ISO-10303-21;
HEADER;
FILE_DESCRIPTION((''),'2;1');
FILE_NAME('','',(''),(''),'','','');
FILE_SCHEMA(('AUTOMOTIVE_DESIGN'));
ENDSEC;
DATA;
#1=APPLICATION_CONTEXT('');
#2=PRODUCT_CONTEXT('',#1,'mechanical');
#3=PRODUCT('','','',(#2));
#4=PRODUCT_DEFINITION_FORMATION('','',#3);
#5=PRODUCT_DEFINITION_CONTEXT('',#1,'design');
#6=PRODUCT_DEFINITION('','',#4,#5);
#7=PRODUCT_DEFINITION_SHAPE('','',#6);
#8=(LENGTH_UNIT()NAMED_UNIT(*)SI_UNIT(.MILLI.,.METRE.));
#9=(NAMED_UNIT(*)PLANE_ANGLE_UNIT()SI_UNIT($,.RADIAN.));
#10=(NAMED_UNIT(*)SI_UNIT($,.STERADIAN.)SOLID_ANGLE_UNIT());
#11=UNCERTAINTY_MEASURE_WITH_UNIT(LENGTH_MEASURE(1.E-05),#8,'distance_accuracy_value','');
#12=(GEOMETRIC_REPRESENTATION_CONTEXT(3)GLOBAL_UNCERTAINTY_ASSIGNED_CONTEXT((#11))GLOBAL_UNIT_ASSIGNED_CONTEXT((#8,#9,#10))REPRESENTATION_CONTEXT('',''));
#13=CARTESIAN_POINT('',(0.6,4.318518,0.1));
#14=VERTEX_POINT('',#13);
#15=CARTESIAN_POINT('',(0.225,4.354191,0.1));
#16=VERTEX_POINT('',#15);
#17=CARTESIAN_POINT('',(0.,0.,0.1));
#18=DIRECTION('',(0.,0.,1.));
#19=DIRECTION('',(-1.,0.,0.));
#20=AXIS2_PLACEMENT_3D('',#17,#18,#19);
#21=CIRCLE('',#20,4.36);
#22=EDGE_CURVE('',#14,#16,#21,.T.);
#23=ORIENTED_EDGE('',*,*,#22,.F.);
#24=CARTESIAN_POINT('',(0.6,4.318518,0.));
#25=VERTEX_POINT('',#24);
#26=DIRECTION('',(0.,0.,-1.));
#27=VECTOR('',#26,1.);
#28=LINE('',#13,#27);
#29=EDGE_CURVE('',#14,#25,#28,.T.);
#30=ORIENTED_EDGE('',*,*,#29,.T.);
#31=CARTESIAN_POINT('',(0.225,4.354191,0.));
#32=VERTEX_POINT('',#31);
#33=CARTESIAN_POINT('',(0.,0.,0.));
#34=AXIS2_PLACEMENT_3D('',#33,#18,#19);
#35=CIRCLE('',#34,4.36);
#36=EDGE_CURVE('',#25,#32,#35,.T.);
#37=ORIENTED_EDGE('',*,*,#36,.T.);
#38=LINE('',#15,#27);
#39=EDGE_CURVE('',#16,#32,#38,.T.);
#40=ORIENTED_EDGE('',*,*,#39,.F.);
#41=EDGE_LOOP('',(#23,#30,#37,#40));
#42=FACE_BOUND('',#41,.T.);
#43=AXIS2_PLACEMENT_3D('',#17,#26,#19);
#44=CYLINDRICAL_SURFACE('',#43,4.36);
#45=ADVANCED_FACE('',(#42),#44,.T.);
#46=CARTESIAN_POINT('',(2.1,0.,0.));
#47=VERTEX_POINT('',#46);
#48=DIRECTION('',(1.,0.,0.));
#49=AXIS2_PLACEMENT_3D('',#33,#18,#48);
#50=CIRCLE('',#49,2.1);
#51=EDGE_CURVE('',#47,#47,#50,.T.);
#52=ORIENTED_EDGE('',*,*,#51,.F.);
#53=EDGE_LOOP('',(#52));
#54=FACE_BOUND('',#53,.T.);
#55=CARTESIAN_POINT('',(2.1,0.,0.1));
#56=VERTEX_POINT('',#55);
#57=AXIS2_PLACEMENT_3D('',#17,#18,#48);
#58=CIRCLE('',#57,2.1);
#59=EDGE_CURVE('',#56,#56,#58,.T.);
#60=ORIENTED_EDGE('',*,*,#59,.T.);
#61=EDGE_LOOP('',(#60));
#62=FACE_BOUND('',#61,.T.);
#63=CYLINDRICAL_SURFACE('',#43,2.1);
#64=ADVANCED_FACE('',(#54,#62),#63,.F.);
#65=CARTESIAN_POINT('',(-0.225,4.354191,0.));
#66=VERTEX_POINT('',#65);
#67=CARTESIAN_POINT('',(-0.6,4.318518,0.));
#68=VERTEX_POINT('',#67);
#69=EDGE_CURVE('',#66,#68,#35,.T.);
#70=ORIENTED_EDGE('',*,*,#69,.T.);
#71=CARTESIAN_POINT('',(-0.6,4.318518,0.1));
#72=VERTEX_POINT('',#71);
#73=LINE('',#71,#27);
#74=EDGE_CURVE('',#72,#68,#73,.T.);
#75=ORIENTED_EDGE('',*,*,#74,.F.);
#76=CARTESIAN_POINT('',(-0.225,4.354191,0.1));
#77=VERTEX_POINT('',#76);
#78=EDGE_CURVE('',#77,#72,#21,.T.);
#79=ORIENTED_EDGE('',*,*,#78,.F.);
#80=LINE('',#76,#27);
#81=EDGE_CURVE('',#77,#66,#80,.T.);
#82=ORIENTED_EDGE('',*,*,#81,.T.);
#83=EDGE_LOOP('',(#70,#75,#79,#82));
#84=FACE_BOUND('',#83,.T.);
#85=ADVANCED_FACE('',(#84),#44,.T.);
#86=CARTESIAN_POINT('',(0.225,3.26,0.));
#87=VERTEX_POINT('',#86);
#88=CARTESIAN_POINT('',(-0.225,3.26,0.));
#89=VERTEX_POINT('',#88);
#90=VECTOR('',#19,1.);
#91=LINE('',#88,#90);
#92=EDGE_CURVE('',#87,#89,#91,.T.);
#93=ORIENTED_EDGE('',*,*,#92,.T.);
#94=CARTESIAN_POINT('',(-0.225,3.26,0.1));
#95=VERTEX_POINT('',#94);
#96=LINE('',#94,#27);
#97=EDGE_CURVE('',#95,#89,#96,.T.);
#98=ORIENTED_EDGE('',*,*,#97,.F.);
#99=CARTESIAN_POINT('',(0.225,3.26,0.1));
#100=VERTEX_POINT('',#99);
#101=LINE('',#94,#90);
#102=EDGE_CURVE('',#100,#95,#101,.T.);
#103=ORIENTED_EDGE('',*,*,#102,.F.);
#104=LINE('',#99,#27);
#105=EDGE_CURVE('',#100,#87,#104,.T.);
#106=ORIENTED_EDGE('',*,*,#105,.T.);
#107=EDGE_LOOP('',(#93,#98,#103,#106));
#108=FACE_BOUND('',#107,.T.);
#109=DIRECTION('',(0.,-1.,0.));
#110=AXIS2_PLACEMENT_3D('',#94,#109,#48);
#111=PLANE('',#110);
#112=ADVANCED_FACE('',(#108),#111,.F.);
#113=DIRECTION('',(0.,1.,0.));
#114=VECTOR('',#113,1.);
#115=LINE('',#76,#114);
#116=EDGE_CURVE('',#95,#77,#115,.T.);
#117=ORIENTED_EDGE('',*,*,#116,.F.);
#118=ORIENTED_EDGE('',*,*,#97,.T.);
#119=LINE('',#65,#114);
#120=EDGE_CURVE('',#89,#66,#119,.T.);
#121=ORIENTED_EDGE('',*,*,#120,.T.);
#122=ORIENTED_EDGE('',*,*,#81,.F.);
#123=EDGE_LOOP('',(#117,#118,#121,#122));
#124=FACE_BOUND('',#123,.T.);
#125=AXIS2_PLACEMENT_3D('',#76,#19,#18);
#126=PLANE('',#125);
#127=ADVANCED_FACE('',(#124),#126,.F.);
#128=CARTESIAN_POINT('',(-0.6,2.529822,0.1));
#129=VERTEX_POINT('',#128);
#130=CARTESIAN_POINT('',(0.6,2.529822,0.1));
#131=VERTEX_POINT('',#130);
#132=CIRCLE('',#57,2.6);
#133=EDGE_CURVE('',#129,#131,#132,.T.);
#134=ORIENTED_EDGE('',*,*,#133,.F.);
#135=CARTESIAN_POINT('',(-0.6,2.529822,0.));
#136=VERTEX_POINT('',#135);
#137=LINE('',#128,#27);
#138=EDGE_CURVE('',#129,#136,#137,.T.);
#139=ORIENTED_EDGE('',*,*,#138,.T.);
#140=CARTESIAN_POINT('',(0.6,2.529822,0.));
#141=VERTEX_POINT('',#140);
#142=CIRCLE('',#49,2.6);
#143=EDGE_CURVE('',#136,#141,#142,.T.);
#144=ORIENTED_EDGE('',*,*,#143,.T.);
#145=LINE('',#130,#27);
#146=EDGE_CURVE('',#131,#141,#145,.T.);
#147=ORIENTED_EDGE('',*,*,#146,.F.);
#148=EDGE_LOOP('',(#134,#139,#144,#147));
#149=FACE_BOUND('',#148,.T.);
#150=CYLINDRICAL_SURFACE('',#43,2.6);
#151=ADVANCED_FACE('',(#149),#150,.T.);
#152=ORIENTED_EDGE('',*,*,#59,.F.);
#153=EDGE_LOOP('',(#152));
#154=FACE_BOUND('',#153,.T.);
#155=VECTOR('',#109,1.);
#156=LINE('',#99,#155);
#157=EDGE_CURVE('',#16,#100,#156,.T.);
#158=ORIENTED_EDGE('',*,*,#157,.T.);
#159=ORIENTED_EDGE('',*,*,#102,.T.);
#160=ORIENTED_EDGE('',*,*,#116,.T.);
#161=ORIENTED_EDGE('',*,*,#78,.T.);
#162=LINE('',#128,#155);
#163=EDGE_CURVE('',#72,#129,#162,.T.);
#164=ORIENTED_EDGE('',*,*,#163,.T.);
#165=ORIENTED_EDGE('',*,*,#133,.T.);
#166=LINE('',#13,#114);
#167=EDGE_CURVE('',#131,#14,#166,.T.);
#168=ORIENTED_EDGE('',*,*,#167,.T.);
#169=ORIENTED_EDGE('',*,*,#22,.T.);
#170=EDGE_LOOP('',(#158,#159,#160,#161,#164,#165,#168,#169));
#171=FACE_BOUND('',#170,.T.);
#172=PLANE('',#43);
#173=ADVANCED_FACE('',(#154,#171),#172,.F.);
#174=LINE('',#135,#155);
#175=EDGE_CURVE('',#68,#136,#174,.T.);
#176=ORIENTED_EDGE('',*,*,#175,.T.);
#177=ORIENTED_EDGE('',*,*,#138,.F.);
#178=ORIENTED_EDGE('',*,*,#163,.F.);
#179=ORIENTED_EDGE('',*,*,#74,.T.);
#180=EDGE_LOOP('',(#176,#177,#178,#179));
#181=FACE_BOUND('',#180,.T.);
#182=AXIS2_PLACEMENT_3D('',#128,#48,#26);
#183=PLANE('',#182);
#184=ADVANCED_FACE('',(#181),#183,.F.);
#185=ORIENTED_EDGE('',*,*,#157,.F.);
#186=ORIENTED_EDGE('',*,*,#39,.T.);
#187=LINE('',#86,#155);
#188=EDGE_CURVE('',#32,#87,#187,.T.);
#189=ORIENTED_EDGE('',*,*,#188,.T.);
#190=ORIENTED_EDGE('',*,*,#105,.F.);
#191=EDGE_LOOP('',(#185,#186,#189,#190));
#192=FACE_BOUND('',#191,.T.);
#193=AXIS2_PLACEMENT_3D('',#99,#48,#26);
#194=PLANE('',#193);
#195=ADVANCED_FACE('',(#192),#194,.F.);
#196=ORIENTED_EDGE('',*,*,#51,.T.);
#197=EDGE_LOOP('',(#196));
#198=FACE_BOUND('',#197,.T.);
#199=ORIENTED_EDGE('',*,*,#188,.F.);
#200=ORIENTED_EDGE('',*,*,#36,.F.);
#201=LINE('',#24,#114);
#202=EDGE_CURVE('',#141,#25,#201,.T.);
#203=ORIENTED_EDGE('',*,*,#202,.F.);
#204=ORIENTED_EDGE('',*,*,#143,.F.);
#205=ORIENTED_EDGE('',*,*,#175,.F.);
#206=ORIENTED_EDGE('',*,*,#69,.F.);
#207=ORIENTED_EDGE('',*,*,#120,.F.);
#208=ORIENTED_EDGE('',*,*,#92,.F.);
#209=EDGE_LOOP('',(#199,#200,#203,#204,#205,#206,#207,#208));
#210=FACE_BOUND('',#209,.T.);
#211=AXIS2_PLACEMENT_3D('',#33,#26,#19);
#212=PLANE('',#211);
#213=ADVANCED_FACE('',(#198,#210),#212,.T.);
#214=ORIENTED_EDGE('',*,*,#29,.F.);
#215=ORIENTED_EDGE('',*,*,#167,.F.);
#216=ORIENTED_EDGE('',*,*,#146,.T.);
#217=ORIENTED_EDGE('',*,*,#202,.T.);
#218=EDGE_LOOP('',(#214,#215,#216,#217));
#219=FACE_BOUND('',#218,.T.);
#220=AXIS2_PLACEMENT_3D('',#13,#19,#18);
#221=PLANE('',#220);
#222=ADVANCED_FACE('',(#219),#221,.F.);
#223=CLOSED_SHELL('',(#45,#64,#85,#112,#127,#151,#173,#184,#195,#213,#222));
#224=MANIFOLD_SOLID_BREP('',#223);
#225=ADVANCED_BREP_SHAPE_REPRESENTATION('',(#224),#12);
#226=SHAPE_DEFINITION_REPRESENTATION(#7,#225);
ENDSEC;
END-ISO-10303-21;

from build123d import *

# Parameters (mm, degrees)
SKETCH1_R           = 2.1
BOSS_EXTRUDE1_DEPTH = 0.1


with BuildPart() as part:
    # Sketch1 → Boss-Extrude1 (new body)
    with BuildSketch(Plane.XY):
        with BuildLine():
            Line((-0.6, 2.529822128), (-0.6, 4.318518264))
            ThreePointArc((-0.6, 4.318518264), (-0.412885429, 4.340406159), (-0.225, 4.35419051))
            Line((-0.225, 4.35419051), (-0.225, 3.26))
            Line((-0.225, 3.26), (0.225, 3.26))
            Line((0.225, 3.26), (0.225, 4.35419051))
            ThreePointArc((0.225, 4.35419051), (0.412885429, 4.340406159), (0.6, 4.318518264))
            Line((0.6, 4.318518264), (0.6, 2.529822128))
            ThreePointArc((0.6, 2.529822128), (0, -2.6), (-0.6, 2.529822128))
        make_face()
        Circle(SKETCH1_R, mode=Mode.SUBTRACT)
    extrude(amount=BOSS_EXTRUDE1_DEPTH)


solid = part.part
